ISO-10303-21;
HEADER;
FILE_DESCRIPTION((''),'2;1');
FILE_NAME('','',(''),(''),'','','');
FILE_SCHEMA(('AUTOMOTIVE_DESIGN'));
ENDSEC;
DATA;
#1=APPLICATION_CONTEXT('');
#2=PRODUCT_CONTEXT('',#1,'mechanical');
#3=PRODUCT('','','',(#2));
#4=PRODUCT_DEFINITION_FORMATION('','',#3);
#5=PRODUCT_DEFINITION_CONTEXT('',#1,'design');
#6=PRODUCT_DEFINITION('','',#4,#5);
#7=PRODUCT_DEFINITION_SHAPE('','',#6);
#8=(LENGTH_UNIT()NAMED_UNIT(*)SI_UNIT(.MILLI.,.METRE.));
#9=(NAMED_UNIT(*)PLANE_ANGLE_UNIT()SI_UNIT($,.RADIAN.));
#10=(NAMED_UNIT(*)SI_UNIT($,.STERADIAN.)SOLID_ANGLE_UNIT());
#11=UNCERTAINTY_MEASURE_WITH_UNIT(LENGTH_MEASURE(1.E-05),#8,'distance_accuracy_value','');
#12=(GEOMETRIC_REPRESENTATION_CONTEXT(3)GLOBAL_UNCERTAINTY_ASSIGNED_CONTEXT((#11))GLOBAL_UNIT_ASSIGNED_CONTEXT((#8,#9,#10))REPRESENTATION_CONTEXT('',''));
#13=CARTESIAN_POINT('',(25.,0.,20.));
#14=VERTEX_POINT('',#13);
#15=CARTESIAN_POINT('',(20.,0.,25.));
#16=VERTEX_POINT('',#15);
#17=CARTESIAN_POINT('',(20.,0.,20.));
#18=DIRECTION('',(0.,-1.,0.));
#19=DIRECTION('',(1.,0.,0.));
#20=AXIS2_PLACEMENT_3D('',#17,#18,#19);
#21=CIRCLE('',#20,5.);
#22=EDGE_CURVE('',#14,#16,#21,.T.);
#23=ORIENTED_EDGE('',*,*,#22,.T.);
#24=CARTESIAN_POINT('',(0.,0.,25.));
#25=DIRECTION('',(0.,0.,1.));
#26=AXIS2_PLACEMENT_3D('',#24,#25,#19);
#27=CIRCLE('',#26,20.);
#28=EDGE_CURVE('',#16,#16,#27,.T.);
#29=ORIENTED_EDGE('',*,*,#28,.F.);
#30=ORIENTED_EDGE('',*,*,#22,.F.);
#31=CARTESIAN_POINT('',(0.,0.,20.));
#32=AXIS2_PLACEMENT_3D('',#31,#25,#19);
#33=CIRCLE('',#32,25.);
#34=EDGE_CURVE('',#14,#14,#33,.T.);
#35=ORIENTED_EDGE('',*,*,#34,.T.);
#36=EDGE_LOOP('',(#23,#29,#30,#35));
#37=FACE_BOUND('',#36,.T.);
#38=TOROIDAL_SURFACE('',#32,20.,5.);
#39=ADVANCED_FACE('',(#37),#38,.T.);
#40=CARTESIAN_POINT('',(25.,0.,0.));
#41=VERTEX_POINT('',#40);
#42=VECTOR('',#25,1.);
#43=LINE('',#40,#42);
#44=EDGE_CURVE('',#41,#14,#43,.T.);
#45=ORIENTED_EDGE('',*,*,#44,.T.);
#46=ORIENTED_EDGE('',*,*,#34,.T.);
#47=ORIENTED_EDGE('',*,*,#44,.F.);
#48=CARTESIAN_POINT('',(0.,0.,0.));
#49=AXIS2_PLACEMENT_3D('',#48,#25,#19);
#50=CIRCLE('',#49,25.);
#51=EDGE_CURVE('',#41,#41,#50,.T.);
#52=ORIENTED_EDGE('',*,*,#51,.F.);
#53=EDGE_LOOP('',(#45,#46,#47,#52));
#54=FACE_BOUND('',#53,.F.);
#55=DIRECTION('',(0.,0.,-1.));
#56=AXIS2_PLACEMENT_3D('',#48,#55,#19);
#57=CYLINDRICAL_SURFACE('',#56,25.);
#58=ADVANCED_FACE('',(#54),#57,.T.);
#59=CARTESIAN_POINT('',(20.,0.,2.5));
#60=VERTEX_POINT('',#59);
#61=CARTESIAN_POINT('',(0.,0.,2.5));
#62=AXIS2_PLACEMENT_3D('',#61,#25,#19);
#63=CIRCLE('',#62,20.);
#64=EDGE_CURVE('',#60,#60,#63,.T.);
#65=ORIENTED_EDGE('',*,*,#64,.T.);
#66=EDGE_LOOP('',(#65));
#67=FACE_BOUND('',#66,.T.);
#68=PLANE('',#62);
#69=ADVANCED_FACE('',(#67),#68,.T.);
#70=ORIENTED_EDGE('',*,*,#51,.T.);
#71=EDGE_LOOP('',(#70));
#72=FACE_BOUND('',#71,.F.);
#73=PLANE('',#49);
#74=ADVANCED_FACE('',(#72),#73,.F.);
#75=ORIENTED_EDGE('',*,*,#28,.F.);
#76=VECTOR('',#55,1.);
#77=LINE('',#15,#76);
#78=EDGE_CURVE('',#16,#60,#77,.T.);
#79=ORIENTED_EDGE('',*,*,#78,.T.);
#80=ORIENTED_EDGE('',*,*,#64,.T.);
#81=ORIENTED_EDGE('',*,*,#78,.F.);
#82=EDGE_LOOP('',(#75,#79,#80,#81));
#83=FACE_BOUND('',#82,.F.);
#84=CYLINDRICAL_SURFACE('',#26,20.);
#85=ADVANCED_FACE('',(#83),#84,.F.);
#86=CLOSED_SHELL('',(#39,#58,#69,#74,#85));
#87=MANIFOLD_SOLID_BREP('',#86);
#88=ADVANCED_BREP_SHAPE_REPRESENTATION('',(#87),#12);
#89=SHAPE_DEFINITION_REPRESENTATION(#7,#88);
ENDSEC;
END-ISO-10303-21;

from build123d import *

# Parameters (mm, degrees)
F0_R      = 25
F1_DEPTH  = 25
F2_R      = 5
F1_FACE_R = 20
F3_DEPTH  = 20
F4_R      = 20
F5_DEPTH  = 22.5


with BuildPart() as f1:
    # F0 (on Top) → F1 (new body)
    with BuildSketch(Plane.XY):
        Circle(F0_R)
    extrude(amount=F1_DEPTH)

    # F2
    f2_edges = [f1.edges().sort_by_distance(p)[0] for p in [
        (-25, 0, 25),
    ]]
    fillet(f2_edges, radius=F2_R)

    # F1_face (on face) → F3 (join)
    with BuildSketch(Plane.XY.offset(25)):
        Circle(F1_FACE_R)
    extrude(amount=-F3_DEPTH)

    # F4 (on face) → F5 (cut)
    with BuildSketch(Plane.XY.offset(25)):
        Circle(F4_R)
    extrude(amount=-F5_DEPTH, mode=Mode.SUBTRACT)


solid = f1.part
